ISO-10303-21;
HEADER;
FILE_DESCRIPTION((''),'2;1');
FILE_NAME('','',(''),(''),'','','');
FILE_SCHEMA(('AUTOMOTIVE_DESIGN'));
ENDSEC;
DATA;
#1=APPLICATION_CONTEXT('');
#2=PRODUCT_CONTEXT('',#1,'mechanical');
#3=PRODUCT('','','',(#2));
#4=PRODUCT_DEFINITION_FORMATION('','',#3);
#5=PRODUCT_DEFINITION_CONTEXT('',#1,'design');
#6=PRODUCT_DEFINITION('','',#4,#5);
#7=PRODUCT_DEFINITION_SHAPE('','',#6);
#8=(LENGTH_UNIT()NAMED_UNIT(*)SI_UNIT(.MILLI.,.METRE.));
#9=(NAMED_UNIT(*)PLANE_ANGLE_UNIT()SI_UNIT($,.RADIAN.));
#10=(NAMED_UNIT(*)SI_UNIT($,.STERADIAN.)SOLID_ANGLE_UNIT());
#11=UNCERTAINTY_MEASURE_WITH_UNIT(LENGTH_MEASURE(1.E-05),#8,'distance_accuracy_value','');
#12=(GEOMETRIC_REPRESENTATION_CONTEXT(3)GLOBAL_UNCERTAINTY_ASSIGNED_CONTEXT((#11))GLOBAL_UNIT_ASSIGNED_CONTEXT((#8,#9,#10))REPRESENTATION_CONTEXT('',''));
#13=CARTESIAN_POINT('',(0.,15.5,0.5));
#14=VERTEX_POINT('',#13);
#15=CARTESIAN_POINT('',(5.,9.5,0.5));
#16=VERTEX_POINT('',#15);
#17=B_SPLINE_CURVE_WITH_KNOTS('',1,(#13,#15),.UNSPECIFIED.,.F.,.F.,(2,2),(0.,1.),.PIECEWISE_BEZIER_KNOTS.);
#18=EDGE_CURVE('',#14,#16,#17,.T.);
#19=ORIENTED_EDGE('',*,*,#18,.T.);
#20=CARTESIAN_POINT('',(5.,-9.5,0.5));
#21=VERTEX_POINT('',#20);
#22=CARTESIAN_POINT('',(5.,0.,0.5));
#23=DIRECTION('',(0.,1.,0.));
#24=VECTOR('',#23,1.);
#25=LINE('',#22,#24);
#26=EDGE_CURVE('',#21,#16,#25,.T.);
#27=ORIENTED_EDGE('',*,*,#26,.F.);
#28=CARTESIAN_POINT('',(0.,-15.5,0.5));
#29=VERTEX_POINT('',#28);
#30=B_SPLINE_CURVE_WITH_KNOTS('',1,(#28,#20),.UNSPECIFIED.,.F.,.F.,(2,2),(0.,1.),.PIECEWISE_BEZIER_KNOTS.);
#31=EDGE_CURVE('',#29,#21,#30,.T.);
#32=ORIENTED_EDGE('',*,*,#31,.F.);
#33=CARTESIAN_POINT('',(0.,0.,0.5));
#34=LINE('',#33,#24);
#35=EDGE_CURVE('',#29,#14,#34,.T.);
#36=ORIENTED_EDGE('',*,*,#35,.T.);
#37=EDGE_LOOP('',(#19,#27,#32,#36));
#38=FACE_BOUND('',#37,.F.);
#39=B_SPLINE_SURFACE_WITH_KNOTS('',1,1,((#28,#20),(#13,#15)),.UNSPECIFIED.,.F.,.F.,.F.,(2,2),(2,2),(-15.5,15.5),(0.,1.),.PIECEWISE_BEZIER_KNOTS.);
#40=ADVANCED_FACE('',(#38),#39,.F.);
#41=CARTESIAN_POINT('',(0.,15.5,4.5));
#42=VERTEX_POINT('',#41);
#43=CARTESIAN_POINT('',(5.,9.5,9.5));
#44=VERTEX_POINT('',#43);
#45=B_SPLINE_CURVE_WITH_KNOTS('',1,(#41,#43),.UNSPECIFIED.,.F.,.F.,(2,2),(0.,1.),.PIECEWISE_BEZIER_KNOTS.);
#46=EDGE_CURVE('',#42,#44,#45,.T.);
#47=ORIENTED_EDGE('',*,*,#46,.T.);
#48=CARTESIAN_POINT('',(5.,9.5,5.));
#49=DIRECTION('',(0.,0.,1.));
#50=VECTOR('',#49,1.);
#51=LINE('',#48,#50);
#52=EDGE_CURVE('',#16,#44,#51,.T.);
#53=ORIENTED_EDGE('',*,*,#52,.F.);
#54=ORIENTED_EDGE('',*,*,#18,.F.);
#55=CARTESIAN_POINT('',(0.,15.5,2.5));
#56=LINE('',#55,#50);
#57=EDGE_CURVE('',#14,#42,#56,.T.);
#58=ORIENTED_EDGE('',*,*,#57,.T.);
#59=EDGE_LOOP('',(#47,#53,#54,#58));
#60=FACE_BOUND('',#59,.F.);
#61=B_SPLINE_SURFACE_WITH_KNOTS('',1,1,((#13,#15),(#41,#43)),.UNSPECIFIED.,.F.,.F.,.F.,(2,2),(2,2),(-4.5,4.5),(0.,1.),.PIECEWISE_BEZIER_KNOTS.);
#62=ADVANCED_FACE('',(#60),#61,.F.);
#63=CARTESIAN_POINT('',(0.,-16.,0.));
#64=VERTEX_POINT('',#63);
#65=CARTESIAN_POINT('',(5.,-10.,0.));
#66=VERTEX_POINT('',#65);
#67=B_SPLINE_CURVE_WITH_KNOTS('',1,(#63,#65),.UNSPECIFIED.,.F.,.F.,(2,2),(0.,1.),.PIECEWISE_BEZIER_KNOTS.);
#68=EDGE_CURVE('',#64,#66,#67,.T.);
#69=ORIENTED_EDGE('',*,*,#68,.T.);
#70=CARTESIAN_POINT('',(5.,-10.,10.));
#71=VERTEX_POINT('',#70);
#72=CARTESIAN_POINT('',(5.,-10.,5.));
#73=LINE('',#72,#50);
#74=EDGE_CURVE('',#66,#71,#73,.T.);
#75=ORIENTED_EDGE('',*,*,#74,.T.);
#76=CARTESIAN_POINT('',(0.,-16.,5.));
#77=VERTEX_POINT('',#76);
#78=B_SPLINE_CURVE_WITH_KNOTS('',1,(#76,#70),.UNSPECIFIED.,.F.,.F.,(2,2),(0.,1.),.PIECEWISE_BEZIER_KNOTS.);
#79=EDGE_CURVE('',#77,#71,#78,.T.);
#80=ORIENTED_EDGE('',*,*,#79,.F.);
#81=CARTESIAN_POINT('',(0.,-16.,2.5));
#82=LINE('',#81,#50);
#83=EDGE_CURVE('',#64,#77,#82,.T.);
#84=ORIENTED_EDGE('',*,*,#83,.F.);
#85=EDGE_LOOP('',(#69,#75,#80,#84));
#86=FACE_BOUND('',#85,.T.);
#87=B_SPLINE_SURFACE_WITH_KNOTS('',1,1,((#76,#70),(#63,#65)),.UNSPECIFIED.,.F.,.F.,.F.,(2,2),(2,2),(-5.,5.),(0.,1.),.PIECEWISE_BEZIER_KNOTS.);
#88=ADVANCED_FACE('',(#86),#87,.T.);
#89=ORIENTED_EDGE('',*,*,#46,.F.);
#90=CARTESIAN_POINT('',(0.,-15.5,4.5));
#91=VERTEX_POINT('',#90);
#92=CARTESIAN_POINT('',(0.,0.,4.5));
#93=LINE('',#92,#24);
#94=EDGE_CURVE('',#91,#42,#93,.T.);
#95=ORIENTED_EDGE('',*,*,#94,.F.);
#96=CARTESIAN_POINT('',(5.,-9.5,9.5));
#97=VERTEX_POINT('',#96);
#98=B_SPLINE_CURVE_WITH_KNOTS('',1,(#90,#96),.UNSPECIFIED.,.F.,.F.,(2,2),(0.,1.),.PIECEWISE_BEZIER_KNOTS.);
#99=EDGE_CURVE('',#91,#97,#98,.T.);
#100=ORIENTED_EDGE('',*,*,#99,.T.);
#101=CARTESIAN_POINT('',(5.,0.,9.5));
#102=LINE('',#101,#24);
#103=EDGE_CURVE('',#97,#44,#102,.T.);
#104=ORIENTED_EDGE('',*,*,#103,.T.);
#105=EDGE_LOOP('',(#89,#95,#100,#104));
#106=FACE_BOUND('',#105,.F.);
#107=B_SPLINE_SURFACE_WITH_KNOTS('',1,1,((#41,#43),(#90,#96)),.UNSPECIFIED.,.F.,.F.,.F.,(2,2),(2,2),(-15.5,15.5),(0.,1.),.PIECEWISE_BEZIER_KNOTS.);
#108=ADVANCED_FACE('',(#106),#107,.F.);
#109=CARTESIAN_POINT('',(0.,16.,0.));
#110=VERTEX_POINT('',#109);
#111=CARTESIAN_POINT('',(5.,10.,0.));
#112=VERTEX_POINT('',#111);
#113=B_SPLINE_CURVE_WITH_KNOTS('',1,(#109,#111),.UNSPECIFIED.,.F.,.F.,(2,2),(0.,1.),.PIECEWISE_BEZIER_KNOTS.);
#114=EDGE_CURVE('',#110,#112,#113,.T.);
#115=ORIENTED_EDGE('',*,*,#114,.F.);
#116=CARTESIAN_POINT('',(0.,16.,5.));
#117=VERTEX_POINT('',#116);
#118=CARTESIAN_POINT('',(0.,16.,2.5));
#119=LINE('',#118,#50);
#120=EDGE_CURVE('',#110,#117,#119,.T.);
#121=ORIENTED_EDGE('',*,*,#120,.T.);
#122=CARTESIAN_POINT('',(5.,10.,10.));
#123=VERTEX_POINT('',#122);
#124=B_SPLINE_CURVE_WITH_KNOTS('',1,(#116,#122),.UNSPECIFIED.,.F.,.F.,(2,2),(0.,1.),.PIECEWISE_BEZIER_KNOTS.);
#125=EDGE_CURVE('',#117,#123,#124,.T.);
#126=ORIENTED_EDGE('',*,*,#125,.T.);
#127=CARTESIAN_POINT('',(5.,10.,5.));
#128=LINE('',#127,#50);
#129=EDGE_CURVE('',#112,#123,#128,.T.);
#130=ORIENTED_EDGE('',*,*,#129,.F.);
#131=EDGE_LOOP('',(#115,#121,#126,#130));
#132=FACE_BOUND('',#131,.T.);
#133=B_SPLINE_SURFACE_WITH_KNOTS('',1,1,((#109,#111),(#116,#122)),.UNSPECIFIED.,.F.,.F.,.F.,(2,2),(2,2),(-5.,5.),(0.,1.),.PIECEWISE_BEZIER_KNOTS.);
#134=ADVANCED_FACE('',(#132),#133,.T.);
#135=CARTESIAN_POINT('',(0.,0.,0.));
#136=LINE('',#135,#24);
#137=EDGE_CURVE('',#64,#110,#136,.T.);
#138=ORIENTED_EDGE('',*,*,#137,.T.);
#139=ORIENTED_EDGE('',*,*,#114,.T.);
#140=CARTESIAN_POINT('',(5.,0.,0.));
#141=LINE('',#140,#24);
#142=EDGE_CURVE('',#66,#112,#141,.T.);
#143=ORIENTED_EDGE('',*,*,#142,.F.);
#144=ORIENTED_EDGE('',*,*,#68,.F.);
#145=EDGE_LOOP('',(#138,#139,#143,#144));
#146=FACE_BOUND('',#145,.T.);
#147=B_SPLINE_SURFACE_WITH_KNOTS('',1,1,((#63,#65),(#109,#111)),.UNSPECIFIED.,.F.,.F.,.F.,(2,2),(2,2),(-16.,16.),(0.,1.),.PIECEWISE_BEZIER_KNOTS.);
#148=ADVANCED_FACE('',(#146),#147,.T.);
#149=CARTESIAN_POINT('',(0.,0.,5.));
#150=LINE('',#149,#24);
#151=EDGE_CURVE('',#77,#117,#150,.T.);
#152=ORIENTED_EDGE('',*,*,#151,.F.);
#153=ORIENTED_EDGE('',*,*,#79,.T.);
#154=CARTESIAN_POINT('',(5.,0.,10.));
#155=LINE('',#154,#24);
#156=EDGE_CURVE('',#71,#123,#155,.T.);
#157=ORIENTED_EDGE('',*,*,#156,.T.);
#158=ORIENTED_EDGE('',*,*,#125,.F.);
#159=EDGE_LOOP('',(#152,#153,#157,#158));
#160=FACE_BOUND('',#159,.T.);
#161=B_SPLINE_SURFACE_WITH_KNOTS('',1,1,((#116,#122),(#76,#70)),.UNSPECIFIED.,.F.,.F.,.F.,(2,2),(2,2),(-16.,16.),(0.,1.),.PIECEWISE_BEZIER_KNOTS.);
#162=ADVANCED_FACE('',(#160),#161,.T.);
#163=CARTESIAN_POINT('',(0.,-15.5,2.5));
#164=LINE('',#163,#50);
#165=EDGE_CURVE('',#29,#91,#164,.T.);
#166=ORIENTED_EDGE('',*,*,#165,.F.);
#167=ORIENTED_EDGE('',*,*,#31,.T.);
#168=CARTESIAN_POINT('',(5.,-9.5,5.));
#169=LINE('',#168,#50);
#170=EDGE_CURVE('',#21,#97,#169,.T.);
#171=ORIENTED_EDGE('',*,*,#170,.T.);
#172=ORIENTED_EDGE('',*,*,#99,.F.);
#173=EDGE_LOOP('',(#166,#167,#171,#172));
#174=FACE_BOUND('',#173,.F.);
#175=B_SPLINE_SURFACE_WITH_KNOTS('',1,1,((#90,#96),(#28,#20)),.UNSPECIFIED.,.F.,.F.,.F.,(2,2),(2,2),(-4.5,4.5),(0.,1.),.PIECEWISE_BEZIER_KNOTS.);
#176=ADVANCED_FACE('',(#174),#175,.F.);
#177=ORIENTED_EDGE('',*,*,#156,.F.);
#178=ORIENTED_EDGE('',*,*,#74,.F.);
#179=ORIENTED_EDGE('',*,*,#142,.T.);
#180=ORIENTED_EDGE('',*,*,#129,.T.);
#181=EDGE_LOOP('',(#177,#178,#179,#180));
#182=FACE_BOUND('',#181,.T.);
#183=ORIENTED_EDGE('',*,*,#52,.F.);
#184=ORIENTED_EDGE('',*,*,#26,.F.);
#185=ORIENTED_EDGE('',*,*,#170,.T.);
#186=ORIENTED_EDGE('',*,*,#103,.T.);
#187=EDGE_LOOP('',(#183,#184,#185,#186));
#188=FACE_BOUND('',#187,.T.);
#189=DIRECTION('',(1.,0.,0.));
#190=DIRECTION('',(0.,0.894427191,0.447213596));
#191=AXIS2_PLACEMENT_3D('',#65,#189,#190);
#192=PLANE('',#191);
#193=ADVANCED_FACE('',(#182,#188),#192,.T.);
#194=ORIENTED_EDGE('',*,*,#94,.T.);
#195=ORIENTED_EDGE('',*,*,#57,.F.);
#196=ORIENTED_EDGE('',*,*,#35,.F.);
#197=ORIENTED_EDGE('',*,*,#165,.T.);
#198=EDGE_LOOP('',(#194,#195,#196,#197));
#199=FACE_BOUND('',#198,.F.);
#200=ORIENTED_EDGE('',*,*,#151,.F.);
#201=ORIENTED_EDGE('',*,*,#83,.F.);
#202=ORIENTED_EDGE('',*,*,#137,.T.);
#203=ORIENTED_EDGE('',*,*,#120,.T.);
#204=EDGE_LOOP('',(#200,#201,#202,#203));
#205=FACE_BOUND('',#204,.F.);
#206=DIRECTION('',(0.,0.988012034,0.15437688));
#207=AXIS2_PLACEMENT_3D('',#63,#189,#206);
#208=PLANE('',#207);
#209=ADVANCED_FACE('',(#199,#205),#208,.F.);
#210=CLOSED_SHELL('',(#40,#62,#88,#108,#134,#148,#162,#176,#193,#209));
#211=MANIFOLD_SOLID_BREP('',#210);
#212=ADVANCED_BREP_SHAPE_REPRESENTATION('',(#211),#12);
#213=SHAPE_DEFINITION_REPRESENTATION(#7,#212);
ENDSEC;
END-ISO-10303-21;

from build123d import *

# Parameters (mm, degrees)
F0_W = 32
F0_H = 5
F2_W = 20
F2_H = 10
F4_W = 31
F4_H = 4
F5_W = 19
F5_H = 9


with BuildPart() as f3:
    # F0 (on Right) → F3 section 0
    with BuildSketch(Plane.YZ):
        with Locations((0, 2.5)):
            Rectangle(F0_W, F0_H)
    # F2 (on offset) → F3 section 1
    with BuildSketch(Plane.YZ.offset(5)):
        with Locations((0, 5)):
            Rectangle(F2_W, F2_H)
    loft()

    # F4 (on Right) → F6 section 0
    with BuildSketch(Plane.YZ):
        with Locations((0, 2.5)):
            Rectangle(F4_W, F4_H)
    # F5 (on offset) → F6 section 1
    with BuildSketch(Plane.YZ.offset(5)):
        with Locations((0, 5)):
            Rectangle(F5_W, F5_H)
    loft(mode=Mode.SUBTRACT)


solid = f3.part
